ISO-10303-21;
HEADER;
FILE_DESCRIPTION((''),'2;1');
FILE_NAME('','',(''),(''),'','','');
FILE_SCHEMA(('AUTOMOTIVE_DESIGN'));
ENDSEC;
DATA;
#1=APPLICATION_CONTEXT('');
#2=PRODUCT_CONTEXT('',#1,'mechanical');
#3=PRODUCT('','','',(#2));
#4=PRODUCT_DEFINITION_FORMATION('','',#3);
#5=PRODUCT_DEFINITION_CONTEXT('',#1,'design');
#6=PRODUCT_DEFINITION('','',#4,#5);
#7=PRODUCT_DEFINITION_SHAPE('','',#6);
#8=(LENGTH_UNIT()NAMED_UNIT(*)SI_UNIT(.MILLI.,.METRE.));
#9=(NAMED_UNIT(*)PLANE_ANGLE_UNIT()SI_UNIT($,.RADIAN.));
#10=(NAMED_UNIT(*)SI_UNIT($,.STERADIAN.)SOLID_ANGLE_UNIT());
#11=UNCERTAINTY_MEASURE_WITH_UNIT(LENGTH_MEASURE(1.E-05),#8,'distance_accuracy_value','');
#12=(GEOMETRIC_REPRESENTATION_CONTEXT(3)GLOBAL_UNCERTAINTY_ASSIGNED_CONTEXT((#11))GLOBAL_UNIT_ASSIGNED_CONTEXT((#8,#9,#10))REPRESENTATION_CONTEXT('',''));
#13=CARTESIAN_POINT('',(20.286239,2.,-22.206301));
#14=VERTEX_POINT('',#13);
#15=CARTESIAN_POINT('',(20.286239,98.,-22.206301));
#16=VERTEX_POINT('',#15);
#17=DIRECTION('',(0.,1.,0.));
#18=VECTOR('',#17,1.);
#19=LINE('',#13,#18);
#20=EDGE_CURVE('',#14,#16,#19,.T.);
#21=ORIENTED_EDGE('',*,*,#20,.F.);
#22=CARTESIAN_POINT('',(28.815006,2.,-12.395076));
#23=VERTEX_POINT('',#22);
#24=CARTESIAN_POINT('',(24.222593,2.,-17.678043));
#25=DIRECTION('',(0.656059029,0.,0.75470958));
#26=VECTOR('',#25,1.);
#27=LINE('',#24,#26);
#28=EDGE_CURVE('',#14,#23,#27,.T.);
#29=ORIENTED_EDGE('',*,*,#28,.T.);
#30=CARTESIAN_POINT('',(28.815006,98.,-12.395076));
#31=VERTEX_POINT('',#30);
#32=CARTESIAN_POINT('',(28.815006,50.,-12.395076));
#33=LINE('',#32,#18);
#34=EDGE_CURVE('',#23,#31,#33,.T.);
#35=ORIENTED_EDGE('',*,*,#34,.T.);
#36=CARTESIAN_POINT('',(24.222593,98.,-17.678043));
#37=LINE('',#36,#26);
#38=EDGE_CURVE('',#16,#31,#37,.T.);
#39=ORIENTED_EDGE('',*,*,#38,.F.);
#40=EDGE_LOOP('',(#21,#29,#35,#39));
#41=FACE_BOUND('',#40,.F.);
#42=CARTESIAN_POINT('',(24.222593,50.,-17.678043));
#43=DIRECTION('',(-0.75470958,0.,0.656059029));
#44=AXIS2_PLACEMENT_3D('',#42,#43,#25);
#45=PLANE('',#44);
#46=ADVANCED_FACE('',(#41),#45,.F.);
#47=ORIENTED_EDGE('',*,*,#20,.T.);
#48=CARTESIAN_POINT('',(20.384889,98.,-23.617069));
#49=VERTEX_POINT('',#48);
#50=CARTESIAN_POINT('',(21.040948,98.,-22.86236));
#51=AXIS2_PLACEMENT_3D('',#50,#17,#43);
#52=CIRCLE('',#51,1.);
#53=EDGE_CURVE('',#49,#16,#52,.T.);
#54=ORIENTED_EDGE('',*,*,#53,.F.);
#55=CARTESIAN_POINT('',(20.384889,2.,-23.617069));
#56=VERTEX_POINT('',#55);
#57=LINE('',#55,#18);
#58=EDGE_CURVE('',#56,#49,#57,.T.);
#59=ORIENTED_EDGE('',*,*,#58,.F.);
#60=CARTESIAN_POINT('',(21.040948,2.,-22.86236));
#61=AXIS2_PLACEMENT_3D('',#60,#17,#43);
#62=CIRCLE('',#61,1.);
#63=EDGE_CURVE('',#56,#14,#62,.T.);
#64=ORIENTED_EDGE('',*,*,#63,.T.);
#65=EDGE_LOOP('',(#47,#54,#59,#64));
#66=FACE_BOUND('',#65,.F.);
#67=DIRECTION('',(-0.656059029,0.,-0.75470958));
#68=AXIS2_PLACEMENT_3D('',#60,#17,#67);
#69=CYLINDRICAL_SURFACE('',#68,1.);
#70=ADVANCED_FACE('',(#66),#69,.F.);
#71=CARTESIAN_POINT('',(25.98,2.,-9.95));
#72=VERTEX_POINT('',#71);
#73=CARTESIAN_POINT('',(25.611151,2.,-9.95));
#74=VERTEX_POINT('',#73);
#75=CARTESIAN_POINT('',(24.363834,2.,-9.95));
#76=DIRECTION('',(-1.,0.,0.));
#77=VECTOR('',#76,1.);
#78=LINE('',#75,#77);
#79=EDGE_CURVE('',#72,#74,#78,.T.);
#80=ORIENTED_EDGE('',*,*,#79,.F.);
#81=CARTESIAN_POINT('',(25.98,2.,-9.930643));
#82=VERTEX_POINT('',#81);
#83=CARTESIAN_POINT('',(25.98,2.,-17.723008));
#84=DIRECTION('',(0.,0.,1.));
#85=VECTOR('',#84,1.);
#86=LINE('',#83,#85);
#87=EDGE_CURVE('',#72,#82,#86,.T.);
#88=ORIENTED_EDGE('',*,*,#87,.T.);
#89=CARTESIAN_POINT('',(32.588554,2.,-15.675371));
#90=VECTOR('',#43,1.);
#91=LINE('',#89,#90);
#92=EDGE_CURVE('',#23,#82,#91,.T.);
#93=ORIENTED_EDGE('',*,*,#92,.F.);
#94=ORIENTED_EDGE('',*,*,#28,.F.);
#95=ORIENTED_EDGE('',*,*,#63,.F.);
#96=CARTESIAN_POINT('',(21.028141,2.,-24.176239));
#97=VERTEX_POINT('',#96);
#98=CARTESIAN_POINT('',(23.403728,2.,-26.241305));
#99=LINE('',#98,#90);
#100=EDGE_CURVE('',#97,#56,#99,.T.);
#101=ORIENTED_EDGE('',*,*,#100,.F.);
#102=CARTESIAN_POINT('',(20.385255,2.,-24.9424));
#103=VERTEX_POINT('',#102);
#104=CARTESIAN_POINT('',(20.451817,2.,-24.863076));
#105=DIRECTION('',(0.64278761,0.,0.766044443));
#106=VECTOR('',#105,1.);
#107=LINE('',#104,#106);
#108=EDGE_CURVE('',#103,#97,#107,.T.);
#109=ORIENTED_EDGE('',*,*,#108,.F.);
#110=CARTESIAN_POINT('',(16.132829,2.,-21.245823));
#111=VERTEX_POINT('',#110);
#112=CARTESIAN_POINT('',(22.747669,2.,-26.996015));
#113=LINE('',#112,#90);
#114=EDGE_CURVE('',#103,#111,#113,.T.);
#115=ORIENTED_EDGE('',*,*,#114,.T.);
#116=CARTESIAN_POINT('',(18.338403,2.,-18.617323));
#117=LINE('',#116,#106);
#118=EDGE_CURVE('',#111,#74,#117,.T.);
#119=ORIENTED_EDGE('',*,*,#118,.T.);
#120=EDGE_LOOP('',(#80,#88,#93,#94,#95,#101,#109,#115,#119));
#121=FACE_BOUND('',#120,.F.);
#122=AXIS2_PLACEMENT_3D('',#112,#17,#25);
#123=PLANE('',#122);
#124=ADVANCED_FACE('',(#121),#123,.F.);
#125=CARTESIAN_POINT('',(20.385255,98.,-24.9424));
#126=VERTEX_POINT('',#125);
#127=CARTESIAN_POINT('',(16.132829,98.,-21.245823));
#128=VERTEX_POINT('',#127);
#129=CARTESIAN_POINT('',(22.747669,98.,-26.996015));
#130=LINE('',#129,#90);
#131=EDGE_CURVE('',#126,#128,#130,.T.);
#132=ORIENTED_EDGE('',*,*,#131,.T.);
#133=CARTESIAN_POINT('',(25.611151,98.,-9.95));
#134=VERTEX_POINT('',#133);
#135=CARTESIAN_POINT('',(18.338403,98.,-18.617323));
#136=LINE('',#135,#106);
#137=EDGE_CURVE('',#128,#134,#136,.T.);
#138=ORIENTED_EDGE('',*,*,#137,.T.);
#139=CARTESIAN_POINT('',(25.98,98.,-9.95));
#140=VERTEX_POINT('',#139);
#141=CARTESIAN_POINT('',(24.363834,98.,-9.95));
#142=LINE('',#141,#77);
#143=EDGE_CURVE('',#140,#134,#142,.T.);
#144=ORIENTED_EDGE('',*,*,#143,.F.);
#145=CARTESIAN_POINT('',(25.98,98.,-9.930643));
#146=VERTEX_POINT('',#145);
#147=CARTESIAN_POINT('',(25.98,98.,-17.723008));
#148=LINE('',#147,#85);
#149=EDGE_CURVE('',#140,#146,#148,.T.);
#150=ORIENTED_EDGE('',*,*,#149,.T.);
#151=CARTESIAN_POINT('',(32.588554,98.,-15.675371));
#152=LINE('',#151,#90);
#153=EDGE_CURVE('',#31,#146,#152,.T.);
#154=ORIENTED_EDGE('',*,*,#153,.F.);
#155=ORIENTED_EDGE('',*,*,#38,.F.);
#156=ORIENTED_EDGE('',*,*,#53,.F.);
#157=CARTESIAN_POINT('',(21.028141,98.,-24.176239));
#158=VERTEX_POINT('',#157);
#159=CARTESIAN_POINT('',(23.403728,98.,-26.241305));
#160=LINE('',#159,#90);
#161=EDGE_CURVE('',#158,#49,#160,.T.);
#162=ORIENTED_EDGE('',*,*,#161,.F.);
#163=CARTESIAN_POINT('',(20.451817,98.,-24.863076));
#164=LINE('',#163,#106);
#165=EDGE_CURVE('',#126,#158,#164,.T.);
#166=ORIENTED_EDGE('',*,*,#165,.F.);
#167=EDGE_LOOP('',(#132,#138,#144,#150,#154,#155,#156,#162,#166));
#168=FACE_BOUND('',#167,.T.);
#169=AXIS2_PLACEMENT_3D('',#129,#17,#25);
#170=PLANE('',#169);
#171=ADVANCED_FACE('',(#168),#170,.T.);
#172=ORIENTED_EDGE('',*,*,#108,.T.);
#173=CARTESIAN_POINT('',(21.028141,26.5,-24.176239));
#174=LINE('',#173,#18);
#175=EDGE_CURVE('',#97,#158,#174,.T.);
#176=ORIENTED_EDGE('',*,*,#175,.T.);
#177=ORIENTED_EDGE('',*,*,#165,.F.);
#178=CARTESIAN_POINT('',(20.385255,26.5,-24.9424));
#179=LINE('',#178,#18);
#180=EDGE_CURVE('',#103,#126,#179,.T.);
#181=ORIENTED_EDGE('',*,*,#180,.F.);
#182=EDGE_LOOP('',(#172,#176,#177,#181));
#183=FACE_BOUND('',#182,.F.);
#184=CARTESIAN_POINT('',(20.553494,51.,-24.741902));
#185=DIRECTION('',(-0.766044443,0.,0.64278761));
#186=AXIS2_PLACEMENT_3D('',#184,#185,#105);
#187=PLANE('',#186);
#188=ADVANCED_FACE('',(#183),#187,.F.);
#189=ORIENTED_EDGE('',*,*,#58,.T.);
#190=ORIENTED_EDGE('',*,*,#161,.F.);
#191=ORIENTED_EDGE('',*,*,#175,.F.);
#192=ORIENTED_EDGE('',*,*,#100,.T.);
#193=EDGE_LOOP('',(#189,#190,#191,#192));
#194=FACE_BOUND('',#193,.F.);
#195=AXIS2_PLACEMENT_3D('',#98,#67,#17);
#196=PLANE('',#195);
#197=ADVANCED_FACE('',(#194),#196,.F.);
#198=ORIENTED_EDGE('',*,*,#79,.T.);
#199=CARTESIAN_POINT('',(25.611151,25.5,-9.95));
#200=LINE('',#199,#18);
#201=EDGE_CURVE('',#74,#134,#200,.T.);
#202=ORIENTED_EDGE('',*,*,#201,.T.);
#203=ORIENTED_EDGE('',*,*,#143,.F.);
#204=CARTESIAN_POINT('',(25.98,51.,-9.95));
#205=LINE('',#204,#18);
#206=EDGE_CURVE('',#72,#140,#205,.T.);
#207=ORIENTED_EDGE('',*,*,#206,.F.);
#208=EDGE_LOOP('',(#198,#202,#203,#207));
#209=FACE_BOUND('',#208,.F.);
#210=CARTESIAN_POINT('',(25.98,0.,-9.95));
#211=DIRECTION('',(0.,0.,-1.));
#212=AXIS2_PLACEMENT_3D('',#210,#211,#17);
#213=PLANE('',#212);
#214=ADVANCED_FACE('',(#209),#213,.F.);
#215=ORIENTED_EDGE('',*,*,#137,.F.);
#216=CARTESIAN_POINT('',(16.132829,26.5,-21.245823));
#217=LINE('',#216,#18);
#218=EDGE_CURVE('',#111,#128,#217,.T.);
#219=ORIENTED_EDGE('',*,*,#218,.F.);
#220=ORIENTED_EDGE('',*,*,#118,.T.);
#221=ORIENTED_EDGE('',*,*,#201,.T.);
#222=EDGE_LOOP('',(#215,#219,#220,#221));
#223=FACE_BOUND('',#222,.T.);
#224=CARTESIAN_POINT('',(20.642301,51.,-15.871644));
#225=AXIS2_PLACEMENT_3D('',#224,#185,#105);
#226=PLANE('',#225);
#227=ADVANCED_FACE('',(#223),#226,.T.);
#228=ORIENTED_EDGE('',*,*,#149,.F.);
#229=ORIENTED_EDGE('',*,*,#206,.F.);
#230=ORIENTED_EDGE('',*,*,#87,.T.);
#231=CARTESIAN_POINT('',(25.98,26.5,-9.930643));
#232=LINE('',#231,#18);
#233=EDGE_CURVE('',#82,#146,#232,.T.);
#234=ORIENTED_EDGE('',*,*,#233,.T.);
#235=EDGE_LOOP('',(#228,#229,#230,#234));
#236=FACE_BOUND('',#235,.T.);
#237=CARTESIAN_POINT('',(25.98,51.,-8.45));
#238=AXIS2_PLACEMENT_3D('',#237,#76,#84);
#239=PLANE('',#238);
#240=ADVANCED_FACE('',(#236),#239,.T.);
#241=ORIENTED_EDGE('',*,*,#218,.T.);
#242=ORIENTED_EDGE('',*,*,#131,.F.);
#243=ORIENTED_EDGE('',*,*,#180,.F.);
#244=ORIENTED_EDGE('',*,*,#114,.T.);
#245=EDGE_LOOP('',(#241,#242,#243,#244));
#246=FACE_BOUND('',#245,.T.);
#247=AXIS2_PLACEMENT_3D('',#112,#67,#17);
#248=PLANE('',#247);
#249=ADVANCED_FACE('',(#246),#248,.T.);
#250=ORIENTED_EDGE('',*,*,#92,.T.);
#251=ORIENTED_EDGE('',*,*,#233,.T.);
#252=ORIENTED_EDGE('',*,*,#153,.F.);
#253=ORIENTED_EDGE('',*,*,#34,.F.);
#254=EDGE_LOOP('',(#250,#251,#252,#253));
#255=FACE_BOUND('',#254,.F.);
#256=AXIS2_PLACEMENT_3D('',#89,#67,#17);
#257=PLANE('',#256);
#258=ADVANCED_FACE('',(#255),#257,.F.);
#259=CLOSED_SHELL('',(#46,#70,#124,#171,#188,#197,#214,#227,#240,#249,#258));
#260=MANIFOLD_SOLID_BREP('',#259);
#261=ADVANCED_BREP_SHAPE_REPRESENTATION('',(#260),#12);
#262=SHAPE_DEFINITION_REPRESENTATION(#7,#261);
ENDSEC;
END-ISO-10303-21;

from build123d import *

# Parameters (mm, degrees)
BOX021_W               = 10
BOX021_H               = 100
BOX021_DEPTH           = 10
BOX021_PLACEMENT_ANGLE = 310
BOX022_W               = 16
BOX022_H               = 102
BOX022_DEPTH           = 3
BOX022_PLACEMENT_ANGLE = 310
BOX023_W               = 3
BOX023_H               = 102
BOX023_DEPTH           = 2
BOX009_W               = 14
BOX009_H               = 96
BOX009_DEPTH           = 5
BOX008_W               = 15
BOX008_H               = 96
BOX008_DEPTH           = 10
FILLET_R               = 1
FILLET_PLACEMENT_ANGLE = 311


with BuildPart() as cube021:
    # Box021 → Box021 (new body)
    with BuildSketch(Plane.XY):
        with Locations((5, 50)):
            Rectangle(BOX021_W, BOX021_H)
    extrude(amount=BOX021_DEPTH)


with BuildPart() as cube021_1:
    # Box021 placement: moved
    add(cube021.part.moved(Location((25, 1, -35))).rotate(Axis((25, 1, -35), (0, 1, 0)), BOX021_PLACEMENT_ANGLE))


with BuildPart() as cube022:
    # Box022 → Box022 (new body)
    with BuildSketch(Plane.XY):
        with Locations((8, 51)):
            Rectangle(BOX022_W, BOX022_H)
    extrude(amount=BOX022_DEPTH)


with BuildPart() as cube022_1:
    # Box022 placement: moved
    add(cube022.part.moved(Location((15.5, 0, -22))).rotate(Axis((15.5, 0, -22), (0, 1, 0)), BOX022_PLACEMENT_ANGLE))


with BuildPart() as fusion001:
    # Box023 → Box023 (new body)
    with BuildSketch(Plane(origin=(25.98, 0, -9.95), x_dir=(0, 0, 1), z_dir=(-1, 0, 0))):
        with Locations((1.5, 51)):
            Rectangle(BOX023_W, BOX023_H)
    extrude(amount=BOX023_DEPTH)

    # Fusion001: union Cube022
    add(cube022_1.part)


with BuildPart() as cube009:
    # Box009 → Box009 (new body)
    with BuildSketch(Plane(origin=(14, 2, -21), x_dir=(1, 0, 0), z_dir=(0, 0, 1))):
        with Locations((7, 48)):
            Rectangle(BOX009_W, BOX009_H)
    extrude(amount=BOX009_DEPTH)


with BuildPart() as cut013:
    # Box008 → Box008 (new body)
    with BuildSketch(Plane(origin=(13, 2, -21), x_dir=(1, 0, 0), z_dir=(0, 0, 1))):
        with Locations((7.5, 48)):
            Rectangle(BOX008_W, BOX008_H)
    extrude(amount=BOX008_DEPTH)

    # Cut002: cut Cube009
    add(cube009.part, mode=Mode.SUBTRACT)

    # Fillet
    fillet_edges = [cut013.edges().sort_by_distance(p)[0] for p in [
        (14, 50, -16),
    ]]
    fillet(fillet_edges, radius=FILLET_R)


with BuildPart() as cut013_1:
    # Fillet placement: moved
    add(cut013.part.moved(Location((-1.63, 0, -23.03))).rotate(Axis((-1.63, 0, -23.03), (0, 1, 0)), FILLET_PLACEMENT_ANGLE))

    # Cut012: cut Fusion001
    add(fusion001.part, mode=Mode.SUBTRACT)

    # Cut013: cut Cube021
    add(cube021_1.part, mode=Mode.SUBTRACT)


solid = cut013_1.part
